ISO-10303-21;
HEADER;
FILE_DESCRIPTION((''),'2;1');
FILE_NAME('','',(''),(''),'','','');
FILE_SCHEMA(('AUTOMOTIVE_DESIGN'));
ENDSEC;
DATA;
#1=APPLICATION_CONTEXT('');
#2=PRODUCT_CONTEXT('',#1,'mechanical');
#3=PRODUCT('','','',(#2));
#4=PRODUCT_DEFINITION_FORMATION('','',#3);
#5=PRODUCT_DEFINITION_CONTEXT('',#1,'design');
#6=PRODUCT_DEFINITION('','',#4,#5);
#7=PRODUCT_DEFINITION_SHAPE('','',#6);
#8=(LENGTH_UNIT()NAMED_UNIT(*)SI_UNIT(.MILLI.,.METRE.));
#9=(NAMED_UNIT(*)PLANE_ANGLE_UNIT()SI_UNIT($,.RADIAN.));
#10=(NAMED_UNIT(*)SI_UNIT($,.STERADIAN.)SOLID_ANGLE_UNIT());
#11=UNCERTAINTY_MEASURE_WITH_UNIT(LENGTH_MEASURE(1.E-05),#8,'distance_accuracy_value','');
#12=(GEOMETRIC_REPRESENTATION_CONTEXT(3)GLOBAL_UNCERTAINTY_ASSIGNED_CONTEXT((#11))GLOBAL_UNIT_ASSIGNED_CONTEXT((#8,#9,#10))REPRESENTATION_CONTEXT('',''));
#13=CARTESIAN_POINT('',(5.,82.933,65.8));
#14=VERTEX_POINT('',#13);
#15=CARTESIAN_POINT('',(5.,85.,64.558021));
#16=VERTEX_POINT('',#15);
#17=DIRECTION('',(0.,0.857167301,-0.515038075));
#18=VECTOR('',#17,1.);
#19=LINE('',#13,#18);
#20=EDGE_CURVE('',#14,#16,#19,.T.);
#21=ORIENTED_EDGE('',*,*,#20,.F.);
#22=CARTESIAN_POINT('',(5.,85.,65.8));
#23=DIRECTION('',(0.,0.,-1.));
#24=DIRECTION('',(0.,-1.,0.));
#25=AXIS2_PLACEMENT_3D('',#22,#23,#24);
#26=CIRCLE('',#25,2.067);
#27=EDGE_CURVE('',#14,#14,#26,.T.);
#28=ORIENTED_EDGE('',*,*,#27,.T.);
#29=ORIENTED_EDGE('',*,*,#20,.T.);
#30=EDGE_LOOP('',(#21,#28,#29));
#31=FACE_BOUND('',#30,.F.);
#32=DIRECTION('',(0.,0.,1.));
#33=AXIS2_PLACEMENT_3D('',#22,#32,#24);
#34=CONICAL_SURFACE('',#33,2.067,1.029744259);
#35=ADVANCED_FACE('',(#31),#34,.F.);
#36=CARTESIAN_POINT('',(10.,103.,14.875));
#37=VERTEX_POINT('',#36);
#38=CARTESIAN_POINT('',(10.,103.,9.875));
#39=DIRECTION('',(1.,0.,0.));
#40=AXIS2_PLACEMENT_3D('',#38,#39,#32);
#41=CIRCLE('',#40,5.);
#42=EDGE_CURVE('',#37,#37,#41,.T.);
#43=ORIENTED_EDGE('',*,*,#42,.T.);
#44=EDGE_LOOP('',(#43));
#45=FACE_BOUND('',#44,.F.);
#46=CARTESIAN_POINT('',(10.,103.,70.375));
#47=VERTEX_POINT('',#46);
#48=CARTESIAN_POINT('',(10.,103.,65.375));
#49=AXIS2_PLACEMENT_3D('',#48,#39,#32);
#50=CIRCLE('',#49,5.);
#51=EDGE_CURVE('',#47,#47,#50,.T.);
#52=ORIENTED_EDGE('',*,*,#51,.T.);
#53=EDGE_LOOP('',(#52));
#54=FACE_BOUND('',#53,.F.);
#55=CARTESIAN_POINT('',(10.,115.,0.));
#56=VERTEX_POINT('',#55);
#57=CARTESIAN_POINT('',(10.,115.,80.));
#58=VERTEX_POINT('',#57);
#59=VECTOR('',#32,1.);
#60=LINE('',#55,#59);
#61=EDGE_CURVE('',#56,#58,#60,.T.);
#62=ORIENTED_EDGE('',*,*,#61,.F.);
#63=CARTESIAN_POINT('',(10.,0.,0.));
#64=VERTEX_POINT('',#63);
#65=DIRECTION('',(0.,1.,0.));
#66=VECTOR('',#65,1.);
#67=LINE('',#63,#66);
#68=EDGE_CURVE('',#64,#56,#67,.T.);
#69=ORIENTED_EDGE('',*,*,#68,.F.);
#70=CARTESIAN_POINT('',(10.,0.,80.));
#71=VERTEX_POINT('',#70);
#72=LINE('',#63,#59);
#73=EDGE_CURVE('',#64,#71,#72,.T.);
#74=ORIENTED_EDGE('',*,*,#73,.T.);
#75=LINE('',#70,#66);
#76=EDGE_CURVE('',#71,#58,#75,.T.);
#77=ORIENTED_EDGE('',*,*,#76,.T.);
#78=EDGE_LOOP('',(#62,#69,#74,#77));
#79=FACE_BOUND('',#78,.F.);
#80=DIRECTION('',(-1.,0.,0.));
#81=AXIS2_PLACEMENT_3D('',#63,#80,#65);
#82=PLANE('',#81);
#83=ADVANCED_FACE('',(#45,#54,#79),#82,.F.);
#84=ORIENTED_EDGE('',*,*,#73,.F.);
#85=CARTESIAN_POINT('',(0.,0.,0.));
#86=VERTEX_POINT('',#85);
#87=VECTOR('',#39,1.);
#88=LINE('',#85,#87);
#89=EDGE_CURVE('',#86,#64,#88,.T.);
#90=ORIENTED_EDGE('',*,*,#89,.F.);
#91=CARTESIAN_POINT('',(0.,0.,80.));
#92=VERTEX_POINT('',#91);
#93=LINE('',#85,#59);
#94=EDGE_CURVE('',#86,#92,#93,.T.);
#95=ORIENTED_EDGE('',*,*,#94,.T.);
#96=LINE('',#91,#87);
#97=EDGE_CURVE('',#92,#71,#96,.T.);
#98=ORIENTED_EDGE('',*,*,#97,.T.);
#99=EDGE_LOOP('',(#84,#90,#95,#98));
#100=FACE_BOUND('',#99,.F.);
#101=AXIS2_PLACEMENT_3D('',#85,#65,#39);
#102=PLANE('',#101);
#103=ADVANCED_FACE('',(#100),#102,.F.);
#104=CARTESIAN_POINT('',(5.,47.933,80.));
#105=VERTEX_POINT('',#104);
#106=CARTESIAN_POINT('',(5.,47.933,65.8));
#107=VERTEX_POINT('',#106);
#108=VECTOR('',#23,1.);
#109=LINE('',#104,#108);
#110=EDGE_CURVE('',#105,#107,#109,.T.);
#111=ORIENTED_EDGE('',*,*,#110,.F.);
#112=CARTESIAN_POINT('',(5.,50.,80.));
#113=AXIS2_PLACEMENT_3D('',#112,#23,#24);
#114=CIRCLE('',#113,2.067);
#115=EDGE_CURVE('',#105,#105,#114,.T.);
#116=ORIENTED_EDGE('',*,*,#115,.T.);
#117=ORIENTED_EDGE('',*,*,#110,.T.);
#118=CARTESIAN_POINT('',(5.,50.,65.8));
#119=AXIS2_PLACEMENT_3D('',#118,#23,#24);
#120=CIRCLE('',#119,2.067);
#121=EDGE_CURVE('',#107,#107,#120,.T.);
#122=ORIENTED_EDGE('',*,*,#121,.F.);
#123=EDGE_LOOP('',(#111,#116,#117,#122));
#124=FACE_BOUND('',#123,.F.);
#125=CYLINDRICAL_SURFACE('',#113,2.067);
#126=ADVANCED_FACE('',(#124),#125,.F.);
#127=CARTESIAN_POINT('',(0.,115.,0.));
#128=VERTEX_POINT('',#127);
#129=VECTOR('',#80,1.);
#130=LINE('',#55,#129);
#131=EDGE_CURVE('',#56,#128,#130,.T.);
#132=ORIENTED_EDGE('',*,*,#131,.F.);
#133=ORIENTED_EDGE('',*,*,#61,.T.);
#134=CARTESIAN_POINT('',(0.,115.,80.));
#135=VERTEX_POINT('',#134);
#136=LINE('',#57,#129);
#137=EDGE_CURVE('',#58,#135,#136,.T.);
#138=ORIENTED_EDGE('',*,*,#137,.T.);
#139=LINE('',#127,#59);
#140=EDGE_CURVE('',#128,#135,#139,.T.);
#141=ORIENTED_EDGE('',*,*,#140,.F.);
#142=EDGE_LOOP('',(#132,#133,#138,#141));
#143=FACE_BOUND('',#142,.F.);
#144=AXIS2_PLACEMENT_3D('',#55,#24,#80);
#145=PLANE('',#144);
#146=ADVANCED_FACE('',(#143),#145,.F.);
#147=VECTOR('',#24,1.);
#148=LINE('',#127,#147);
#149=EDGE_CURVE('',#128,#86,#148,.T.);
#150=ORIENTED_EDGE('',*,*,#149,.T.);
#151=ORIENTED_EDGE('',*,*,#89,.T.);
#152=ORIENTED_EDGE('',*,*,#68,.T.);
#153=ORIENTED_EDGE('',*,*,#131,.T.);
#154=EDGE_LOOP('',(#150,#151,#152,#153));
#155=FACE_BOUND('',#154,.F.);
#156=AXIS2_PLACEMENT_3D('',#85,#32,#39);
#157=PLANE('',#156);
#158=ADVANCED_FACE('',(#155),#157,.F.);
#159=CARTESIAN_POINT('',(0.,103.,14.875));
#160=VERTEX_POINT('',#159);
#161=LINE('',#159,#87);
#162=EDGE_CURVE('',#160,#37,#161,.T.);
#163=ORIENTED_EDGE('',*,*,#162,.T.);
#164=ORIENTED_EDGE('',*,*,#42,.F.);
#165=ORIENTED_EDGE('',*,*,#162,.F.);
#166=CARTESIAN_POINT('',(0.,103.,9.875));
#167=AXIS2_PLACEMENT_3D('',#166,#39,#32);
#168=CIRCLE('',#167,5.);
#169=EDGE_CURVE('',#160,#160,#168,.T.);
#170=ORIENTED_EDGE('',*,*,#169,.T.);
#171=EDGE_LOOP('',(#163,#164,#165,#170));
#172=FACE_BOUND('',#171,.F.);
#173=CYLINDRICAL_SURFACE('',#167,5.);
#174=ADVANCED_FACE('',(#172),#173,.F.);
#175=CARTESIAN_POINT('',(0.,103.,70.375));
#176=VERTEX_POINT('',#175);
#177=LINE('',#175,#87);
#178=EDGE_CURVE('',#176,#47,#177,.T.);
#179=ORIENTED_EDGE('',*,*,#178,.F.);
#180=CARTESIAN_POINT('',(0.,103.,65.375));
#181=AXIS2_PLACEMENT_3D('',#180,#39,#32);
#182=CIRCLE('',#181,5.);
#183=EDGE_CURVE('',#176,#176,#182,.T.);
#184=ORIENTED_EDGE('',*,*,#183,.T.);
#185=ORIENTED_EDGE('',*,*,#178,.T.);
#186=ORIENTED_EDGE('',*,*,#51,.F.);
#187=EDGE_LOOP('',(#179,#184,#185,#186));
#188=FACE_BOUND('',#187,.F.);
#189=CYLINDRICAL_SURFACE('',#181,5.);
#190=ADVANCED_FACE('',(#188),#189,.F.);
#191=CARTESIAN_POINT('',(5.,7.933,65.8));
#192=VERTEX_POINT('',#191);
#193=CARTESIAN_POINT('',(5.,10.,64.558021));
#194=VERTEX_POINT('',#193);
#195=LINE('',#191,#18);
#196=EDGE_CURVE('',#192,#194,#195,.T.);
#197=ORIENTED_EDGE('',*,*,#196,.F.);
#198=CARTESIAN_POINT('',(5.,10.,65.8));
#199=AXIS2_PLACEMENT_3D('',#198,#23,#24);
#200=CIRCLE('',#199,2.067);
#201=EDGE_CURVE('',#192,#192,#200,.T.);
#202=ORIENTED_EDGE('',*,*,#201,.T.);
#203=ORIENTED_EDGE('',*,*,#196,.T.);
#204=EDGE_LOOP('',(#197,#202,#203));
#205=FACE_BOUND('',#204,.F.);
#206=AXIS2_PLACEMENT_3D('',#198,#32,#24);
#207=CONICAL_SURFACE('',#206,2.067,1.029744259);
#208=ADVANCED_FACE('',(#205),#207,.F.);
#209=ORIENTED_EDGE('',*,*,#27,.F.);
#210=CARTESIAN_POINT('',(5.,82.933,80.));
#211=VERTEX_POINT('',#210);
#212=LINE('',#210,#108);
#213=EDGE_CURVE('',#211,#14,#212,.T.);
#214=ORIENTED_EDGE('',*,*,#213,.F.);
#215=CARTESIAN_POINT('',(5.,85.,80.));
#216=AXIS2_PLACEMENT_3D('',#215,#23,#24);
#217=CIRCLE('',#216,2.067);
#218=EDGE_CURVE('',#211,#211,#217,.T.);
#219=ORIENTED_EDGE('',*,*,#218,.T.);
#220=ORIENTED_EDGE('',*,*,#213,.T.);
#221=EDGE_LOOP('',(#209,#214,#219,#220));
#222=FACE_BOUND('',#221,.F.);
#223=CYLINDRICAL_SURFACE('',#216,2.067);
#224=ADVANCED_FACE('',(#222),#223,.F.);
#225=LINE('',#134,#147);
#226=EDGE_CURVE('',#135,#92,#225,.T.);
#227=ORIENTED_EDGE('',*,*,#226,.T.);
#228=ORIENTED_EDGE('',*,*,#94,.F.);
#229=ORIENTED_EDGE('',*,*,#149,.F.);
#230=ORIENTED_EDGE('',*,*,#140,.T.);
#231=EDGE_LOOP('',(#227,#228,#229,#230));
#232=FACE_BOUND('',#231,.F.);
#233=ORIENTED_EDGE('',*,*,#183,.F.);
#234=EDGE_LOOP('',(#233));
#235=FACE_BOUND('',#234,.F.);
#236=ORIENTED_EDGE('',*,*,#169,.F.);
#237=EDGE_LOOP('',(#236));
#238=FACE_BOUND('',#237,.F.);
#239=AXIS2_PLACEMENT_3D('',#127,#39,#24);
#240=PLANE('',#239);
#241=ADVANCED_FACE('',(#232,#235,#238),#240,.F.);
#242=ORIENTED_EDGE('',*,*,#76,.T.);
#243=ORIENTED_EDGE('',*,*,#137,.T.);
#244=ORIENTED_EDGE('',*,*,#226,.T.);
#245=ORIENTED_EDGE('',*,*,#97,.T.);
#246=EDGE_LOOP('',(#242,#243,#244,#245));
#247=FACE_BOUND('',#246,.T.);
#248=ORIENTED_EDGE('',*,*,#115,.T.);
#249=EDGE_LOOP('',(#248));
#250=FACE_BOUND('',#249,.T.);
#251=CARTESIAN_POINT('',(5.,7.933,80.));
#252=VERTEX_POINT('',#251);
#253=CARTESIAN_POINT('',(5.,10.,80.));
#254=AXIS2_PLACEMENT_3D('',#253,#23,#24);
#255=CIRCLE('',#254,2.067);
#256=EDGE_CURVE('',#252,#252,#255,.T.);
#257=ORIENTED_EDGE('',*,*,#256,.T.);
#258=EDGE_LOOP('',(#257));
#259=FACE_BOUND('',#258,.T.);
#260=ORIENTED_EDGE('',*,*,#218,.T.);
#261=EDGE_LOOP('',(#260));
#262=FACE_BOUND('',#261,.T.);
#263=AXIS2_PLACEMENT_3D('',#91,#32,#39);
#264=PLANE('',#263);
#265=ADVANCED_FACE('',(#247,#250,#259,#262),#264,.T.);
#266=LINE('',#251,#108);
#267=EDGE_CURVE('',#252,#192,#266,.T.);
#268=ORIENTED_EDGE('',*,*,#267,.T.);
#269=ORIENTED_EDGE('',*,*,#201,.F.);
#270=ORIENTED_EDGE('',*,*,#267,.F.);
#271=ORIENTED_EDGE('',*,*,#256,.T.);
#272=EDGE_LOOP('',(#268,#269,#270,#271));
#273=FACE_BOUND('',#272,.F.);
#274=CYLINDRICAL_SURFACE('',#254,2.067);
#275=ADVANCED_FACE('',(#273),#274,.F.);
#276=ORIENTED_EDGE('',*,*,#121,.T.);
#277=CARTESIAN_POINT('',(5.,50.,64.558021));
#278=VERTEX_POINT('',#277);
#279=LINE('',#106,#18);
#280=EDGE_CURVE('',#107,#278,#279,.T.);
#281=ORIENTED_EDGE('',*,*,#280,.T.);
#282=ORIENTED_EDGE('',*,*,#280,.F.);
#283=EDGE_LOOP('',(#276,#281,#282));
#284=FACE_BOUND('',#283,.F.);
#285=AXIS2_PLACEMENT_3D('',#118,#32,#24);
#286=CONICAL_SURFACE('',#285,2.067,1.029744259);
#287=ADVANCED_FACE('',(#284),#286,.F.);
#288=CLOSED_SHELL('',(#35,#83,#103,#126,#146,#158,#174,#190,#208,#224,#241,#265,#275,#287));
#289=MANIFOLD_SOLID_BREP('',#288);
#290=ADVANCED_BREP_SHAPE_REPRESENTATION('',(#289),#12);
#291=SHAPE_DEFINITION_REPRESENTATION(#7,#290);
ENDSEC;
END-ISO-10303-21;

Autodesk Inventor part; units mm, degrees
ref_plane "YZ Plane" through (0, 0, 0) normal (1, 0, 0) x (0, 1, 0)
ref_plane "XZ Plane" through (0, 0, 0) normal (0, 1, 0) x (-1, 0, 0)
ref_plane "XY Plane" through (0, 0, 0) normal (0, 0, 1) x (1, 0, 0)
sketch "Skizze1" plane through (0, 0, 0) normal (0, 0, 1) x (1, 0, 0)
  line L0 (0, 0) -> (10, 0)
  line L1 (10, 0) -> (10, 115)
  line L2 (10, 115) -> (0, 115)
  line L3 (0, 115) -> (0, 0)
  dimension "d0" = 10
  dimension "d1" = 115
extrude "Extrusion1" add sketch "Skizze1" along normal blind 80
sketch "Skizze2" plane through (0, 0, 0) normal (-1, 0, 0) x (0, 0, 1)
  line L0 (0, 0) -> (0, 115) projected
  line L1 (0, 115) -> (0, 103)
  line L2 (0, 103) -> (9.875, 103)
  line L3 (9.875, 103) -> (65.375, 103)
  dimension "d4" = 12
  dimension "d5" = 9.875
  dimension "d6" = 55.5
hole "Bohrung1" at (0, 103, 9.875) at (0, 103, 65.375) direction (1, 0, 0) diameter 10 end through all
sketch "Skizze3" plane through (0, 0, 80) normal (0, 0, 1) x (1, 0, 0)
  line L0 (10, 115) -> (0, 115) projected
  line L1 (5, 115) -> (5, 85)
  line L2 (5, 85) -> (5, 50)
  line L3 (5, 50) -> (5, 10)
  point P0 (0, 0)
  dimension "d14" = 30
  dimension "d15" = 35
  dimension "d16" = 40
hole "Bohrung2" at (5, 85, 80) at (5, 10, 80) at (5, 50, 80) direction (0, 0, -1) diameter 4.134 depth 14.2 tip angle 118 thread size "M5x0.8" class "6H" standard "ISO Metric profile"
properties part number "Motorhalterung_Grundplatte" material "Aluminium 6061"
